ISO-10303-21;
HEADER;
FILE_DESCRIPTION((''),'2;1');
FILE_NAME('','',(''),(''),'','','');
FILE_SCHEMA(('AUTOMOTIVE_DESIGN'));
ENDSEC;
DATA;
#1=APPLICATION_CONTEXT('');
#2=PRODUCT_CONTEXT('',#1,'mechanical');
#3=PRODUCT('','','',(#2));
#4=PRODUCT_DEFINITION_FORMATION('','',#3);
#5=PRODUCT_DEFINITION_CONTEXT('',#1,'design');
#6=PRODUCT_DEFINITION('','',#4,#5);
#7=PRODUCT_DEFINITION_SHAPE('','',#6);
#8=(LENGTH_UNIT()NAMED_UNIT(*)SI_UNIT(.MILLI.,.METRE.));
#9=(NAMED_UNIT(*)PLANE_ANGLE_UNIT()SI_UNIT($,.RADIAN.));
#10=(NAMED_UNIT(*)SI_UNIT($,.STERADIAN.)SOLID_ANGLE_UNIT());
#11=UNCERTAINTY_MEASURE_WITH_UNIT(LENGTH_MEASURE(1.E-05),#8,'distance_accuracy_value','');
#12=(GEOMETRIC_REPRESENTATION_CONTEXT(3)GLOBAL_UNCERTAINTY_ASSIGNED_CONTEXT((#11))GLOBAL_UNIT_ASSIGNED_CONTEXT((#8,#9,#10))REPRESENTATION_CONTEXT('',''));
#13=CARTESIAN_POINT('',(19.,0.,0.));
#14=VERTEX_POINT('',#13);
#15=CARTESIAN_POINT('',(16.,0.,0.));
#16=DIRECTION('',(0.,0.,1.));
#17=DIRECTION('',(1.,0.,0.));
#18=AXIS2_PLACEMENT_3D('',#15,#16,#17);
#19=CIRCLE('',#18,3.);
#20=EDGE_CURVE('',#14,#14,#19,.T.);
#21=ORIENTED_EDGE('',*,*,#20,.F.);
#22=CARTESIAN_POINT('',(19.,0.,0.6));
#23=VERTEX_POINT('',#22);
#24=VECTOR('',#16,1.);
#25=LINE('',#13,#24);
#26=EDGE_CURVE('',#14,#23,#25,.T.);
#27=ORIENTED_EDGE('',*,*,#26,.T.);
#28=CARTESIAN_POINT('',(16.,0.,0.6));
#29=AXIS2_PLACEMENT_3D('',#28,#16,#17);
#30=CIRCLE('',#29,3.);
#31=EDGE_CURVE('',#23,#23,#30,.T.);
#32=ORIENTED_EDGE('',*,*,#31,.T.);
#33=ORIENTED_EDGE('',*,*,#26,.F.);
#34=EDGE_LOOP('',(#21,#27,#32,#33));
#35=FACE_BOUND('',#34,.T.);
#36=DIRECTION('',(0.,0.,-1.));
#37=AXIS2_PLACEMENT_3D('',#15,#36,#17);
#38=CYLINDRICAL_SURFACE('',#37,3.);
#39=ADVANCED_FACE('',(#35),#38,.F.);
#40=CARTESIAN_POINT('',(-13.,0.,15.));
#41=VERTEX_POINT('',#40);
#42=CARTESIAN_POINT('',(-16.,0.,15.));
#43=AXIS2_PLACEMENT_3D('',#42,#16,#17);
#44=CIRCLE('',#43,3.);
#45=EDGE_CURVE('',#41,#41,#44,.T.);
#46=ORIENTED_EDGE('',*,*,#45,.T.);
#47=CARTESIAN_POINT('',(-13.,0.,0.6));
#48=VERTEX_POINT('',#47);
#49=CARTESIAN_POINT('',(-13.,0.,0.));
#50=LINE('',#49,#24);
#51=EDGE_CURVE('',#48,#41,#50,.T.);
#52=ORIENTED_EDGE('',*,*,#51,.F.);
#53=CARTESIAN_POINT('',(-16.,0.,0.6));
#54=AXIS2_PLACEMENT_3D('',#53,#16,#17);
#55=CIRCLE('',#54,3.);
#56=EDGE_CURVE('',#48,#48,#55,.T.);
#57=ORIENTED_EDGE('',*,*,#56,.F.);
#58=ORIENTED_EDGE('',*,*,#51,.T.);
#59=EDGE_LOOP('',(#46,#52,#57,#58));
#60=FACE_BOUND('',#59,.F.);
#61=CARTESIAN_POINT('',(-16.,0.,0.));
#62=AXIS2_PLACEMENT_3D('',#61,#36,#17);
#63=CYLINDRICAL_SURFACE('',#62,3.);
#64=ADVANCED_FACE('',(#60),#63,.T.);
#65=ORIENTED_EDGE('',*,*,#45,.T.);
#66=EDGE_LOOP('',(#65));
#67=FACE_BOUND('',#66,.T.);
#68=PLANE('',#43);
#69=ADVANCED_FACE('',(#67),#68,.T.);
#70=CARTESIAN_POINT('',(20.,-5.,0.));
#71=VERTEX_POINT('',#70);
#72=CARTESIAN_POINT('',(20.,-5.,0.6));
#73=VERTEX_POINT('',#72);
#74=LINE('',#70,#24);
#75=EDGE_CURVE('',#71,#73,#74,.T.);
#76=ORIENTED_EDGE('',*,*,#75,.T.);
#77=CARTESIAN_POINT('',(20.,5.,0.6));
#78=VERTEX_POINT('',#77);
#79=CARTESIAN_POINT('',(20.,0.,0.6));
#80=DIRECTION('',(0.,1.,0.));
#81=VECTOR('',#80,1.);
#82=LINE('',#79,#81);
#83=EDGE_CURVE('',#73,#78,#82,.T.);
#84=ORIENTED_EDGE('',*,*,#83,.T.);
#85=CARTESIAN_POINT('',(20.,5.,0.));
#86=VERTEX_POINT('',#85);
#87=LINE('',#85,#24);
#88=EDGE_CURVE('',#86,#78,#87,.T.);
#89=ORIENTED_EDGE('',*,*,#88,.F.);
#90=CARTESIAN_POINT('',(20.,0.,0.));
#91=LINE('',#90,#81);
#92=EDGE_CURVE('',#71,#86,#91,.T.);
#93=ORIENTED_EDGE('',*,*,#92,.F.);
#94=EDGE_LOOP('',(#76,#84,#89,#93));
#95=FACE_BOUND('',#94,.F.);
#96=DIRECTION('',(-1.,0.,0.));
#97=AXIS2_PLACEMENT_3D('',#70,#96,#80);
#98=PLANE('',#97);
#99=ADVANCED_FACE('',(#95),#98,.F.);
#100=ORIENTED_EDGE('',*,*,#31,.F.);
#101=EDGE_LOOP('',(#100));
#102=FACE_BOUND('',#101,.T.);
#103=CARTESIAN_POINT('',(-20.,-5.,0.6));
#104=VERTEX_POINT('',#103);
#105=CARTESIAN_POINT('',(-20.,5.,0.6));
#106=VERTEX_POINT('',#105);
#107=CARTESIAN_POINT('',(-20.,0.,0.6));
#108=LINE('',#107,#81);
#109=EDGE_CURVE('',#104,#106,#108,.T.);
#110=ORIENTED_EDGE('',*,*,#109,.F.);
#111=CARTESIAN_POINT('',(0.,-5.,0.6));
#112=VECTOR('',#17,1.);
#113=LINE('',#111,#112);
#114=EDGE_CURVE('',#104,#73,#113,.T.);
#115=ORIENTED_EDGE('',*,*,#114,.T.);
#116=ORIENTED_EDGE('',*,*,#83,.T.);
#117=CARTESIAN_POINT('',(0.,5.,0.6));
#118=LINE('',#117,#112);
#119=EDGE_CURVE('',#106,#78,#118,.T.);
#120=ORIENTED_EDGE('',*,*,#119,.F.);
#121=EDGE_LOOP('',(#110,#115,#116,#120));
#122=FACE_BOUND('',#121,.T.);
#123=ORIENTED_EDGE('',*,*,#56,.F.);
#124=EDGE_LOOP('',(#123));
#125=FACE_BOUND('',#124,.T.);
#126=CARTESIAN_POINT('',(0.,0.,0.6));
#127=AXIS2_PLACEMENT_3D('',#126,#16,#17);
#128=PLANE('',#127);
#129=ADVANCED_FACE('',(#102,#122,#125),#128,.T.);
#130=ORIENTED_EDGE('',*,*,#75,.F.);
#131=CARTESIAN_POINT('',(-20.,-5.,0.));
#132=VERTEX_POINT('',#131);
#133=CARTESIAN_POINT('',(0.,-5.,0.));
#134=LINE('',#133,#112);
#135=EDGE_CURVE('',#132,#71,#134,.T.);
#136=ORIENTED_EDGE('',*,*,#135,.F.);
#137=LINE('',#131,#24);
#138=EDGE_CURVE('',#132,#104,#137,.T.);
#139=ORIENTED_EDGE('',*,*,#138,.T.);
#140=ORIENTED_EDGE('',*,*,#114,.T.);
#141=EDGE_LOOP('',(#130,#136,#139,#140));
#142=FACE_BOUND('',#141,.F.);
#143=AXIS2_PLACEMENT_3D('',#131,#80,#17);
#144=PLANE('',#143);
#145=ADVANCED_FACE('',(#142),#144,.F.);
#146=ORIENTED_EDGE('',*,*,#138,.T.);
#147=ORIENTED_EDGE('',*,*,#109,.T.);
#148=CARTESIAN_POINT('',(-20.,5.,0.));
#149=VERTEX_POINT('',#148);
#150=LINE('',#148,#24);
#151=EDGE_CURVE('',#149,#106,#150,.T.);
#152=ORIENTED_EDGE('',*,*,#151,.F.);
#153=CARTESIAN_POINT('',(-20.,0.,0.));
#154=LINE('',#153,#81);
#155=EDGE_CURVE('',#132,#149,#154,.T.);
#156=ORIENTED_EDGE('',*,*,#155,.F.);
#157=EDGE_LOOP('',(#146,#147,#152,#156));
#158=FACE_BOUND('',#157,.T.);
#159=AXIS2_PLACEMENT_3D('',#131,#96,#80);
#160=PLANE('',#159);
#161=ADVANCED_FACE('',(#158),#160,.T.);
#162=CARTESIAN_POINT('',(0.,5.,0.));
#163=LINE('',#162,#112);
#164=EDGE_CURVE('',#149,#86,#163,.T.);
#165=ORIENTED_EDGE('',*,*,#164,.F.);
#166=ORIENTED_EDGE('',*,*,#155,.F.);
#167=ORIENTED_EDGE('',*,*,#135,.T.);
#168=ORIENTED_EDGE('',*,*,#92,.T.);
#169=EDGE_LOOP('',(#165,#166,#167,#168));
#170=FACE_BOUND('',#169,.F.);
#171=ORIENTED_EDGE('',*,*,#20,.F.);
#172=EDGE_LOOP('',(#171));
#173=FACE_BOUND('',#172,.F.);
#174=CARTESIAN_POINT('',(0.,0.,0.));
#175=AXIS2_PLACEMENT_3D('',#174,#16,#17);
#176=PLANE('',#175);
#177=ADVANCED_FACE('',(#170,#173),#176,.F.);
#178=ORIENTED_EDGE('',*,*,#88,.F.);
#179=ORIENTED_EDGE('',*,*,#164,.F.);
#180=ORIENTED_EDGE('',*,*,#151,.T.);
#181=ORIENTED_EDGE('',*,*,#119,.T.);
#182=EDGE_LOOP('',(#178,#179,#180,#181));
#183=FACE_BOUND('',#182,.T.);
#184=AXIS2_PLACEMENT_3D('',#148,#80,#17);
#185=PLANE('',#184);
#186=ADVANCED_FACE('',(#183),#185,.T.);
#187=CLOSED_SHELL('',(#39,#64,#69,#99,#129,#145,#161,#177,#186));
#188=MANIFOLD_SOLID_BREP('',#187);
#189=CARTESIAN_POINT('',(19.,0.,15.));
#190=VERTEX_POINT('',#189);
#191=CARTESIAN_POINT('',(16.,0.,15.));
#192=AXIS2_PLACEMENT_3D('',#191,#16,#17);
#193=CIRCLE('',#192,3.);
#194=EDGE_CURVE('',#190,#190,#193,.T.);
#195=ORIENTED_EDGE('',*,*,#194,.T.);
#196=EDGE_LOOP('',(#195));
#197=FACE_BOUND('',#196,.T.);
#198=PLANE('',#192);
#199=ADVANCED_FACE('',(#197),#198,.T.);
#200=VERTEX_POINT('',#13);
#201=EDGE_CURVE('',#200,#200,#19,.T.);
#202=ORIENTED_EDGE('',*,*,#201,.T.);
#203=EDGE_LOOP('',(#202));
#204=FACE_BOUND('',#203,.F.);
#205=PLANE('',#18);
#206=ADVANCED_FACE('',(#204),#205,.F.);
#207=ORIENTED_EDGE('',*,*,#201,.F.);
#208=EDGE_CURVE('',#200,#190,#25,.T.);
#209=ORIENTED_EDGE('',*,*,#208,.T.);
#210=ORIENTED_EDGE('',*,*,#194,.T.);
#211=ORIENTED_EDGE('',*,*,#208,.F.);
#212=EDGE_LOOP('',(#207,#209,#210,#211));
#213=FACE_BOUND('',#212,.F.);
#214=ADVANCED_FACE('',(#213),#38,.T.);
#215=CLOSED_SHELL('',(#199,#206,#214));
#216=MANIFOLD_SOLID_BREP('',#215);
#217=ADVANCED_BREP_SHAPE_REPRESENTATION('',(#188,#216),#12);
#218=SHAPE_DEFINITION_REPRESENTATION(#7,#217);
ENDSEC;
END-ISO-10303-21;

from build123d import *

# Parameters (mm, degrees)
F0_W     = 40
F0_H     = 10
F0_R     = 3
F1_DEPTH = 0.6
F2_DEPTH = 15
F3_DEPTH = 15


with BuildPart() as f1:
    # F0 (on Top) → F1 (new body)
    with BuildSketch(Plane.XY):
        Rectangle(F0_W, F0_H)
        with Locations((-16, 0)):
            Circle(F0_R, mode=Mode.SUBTRACT)
        with Locations((16, 0)):
            Circle(F0_R, mode=Mode.SUBTRACT)
    extrude(amount=F1_DEPTH)

    # F0 (on Top) → F2 (join)
    with BuildSketch(Plane.XY):
        with Locations((-16, 0)):
            Circle(F0_R)
    extrude(amount=F2_DEPTH)


with BuildPart() as f3:
    # F0 (on Top) → F3 (new body)
    with BuildSketch(Plane.XY):
        with Locations((16, 0)):
            Circle(F0_R)
    extrude(amount=F3_DEPTH)


solid = Compound([f1.part, f3.part])
